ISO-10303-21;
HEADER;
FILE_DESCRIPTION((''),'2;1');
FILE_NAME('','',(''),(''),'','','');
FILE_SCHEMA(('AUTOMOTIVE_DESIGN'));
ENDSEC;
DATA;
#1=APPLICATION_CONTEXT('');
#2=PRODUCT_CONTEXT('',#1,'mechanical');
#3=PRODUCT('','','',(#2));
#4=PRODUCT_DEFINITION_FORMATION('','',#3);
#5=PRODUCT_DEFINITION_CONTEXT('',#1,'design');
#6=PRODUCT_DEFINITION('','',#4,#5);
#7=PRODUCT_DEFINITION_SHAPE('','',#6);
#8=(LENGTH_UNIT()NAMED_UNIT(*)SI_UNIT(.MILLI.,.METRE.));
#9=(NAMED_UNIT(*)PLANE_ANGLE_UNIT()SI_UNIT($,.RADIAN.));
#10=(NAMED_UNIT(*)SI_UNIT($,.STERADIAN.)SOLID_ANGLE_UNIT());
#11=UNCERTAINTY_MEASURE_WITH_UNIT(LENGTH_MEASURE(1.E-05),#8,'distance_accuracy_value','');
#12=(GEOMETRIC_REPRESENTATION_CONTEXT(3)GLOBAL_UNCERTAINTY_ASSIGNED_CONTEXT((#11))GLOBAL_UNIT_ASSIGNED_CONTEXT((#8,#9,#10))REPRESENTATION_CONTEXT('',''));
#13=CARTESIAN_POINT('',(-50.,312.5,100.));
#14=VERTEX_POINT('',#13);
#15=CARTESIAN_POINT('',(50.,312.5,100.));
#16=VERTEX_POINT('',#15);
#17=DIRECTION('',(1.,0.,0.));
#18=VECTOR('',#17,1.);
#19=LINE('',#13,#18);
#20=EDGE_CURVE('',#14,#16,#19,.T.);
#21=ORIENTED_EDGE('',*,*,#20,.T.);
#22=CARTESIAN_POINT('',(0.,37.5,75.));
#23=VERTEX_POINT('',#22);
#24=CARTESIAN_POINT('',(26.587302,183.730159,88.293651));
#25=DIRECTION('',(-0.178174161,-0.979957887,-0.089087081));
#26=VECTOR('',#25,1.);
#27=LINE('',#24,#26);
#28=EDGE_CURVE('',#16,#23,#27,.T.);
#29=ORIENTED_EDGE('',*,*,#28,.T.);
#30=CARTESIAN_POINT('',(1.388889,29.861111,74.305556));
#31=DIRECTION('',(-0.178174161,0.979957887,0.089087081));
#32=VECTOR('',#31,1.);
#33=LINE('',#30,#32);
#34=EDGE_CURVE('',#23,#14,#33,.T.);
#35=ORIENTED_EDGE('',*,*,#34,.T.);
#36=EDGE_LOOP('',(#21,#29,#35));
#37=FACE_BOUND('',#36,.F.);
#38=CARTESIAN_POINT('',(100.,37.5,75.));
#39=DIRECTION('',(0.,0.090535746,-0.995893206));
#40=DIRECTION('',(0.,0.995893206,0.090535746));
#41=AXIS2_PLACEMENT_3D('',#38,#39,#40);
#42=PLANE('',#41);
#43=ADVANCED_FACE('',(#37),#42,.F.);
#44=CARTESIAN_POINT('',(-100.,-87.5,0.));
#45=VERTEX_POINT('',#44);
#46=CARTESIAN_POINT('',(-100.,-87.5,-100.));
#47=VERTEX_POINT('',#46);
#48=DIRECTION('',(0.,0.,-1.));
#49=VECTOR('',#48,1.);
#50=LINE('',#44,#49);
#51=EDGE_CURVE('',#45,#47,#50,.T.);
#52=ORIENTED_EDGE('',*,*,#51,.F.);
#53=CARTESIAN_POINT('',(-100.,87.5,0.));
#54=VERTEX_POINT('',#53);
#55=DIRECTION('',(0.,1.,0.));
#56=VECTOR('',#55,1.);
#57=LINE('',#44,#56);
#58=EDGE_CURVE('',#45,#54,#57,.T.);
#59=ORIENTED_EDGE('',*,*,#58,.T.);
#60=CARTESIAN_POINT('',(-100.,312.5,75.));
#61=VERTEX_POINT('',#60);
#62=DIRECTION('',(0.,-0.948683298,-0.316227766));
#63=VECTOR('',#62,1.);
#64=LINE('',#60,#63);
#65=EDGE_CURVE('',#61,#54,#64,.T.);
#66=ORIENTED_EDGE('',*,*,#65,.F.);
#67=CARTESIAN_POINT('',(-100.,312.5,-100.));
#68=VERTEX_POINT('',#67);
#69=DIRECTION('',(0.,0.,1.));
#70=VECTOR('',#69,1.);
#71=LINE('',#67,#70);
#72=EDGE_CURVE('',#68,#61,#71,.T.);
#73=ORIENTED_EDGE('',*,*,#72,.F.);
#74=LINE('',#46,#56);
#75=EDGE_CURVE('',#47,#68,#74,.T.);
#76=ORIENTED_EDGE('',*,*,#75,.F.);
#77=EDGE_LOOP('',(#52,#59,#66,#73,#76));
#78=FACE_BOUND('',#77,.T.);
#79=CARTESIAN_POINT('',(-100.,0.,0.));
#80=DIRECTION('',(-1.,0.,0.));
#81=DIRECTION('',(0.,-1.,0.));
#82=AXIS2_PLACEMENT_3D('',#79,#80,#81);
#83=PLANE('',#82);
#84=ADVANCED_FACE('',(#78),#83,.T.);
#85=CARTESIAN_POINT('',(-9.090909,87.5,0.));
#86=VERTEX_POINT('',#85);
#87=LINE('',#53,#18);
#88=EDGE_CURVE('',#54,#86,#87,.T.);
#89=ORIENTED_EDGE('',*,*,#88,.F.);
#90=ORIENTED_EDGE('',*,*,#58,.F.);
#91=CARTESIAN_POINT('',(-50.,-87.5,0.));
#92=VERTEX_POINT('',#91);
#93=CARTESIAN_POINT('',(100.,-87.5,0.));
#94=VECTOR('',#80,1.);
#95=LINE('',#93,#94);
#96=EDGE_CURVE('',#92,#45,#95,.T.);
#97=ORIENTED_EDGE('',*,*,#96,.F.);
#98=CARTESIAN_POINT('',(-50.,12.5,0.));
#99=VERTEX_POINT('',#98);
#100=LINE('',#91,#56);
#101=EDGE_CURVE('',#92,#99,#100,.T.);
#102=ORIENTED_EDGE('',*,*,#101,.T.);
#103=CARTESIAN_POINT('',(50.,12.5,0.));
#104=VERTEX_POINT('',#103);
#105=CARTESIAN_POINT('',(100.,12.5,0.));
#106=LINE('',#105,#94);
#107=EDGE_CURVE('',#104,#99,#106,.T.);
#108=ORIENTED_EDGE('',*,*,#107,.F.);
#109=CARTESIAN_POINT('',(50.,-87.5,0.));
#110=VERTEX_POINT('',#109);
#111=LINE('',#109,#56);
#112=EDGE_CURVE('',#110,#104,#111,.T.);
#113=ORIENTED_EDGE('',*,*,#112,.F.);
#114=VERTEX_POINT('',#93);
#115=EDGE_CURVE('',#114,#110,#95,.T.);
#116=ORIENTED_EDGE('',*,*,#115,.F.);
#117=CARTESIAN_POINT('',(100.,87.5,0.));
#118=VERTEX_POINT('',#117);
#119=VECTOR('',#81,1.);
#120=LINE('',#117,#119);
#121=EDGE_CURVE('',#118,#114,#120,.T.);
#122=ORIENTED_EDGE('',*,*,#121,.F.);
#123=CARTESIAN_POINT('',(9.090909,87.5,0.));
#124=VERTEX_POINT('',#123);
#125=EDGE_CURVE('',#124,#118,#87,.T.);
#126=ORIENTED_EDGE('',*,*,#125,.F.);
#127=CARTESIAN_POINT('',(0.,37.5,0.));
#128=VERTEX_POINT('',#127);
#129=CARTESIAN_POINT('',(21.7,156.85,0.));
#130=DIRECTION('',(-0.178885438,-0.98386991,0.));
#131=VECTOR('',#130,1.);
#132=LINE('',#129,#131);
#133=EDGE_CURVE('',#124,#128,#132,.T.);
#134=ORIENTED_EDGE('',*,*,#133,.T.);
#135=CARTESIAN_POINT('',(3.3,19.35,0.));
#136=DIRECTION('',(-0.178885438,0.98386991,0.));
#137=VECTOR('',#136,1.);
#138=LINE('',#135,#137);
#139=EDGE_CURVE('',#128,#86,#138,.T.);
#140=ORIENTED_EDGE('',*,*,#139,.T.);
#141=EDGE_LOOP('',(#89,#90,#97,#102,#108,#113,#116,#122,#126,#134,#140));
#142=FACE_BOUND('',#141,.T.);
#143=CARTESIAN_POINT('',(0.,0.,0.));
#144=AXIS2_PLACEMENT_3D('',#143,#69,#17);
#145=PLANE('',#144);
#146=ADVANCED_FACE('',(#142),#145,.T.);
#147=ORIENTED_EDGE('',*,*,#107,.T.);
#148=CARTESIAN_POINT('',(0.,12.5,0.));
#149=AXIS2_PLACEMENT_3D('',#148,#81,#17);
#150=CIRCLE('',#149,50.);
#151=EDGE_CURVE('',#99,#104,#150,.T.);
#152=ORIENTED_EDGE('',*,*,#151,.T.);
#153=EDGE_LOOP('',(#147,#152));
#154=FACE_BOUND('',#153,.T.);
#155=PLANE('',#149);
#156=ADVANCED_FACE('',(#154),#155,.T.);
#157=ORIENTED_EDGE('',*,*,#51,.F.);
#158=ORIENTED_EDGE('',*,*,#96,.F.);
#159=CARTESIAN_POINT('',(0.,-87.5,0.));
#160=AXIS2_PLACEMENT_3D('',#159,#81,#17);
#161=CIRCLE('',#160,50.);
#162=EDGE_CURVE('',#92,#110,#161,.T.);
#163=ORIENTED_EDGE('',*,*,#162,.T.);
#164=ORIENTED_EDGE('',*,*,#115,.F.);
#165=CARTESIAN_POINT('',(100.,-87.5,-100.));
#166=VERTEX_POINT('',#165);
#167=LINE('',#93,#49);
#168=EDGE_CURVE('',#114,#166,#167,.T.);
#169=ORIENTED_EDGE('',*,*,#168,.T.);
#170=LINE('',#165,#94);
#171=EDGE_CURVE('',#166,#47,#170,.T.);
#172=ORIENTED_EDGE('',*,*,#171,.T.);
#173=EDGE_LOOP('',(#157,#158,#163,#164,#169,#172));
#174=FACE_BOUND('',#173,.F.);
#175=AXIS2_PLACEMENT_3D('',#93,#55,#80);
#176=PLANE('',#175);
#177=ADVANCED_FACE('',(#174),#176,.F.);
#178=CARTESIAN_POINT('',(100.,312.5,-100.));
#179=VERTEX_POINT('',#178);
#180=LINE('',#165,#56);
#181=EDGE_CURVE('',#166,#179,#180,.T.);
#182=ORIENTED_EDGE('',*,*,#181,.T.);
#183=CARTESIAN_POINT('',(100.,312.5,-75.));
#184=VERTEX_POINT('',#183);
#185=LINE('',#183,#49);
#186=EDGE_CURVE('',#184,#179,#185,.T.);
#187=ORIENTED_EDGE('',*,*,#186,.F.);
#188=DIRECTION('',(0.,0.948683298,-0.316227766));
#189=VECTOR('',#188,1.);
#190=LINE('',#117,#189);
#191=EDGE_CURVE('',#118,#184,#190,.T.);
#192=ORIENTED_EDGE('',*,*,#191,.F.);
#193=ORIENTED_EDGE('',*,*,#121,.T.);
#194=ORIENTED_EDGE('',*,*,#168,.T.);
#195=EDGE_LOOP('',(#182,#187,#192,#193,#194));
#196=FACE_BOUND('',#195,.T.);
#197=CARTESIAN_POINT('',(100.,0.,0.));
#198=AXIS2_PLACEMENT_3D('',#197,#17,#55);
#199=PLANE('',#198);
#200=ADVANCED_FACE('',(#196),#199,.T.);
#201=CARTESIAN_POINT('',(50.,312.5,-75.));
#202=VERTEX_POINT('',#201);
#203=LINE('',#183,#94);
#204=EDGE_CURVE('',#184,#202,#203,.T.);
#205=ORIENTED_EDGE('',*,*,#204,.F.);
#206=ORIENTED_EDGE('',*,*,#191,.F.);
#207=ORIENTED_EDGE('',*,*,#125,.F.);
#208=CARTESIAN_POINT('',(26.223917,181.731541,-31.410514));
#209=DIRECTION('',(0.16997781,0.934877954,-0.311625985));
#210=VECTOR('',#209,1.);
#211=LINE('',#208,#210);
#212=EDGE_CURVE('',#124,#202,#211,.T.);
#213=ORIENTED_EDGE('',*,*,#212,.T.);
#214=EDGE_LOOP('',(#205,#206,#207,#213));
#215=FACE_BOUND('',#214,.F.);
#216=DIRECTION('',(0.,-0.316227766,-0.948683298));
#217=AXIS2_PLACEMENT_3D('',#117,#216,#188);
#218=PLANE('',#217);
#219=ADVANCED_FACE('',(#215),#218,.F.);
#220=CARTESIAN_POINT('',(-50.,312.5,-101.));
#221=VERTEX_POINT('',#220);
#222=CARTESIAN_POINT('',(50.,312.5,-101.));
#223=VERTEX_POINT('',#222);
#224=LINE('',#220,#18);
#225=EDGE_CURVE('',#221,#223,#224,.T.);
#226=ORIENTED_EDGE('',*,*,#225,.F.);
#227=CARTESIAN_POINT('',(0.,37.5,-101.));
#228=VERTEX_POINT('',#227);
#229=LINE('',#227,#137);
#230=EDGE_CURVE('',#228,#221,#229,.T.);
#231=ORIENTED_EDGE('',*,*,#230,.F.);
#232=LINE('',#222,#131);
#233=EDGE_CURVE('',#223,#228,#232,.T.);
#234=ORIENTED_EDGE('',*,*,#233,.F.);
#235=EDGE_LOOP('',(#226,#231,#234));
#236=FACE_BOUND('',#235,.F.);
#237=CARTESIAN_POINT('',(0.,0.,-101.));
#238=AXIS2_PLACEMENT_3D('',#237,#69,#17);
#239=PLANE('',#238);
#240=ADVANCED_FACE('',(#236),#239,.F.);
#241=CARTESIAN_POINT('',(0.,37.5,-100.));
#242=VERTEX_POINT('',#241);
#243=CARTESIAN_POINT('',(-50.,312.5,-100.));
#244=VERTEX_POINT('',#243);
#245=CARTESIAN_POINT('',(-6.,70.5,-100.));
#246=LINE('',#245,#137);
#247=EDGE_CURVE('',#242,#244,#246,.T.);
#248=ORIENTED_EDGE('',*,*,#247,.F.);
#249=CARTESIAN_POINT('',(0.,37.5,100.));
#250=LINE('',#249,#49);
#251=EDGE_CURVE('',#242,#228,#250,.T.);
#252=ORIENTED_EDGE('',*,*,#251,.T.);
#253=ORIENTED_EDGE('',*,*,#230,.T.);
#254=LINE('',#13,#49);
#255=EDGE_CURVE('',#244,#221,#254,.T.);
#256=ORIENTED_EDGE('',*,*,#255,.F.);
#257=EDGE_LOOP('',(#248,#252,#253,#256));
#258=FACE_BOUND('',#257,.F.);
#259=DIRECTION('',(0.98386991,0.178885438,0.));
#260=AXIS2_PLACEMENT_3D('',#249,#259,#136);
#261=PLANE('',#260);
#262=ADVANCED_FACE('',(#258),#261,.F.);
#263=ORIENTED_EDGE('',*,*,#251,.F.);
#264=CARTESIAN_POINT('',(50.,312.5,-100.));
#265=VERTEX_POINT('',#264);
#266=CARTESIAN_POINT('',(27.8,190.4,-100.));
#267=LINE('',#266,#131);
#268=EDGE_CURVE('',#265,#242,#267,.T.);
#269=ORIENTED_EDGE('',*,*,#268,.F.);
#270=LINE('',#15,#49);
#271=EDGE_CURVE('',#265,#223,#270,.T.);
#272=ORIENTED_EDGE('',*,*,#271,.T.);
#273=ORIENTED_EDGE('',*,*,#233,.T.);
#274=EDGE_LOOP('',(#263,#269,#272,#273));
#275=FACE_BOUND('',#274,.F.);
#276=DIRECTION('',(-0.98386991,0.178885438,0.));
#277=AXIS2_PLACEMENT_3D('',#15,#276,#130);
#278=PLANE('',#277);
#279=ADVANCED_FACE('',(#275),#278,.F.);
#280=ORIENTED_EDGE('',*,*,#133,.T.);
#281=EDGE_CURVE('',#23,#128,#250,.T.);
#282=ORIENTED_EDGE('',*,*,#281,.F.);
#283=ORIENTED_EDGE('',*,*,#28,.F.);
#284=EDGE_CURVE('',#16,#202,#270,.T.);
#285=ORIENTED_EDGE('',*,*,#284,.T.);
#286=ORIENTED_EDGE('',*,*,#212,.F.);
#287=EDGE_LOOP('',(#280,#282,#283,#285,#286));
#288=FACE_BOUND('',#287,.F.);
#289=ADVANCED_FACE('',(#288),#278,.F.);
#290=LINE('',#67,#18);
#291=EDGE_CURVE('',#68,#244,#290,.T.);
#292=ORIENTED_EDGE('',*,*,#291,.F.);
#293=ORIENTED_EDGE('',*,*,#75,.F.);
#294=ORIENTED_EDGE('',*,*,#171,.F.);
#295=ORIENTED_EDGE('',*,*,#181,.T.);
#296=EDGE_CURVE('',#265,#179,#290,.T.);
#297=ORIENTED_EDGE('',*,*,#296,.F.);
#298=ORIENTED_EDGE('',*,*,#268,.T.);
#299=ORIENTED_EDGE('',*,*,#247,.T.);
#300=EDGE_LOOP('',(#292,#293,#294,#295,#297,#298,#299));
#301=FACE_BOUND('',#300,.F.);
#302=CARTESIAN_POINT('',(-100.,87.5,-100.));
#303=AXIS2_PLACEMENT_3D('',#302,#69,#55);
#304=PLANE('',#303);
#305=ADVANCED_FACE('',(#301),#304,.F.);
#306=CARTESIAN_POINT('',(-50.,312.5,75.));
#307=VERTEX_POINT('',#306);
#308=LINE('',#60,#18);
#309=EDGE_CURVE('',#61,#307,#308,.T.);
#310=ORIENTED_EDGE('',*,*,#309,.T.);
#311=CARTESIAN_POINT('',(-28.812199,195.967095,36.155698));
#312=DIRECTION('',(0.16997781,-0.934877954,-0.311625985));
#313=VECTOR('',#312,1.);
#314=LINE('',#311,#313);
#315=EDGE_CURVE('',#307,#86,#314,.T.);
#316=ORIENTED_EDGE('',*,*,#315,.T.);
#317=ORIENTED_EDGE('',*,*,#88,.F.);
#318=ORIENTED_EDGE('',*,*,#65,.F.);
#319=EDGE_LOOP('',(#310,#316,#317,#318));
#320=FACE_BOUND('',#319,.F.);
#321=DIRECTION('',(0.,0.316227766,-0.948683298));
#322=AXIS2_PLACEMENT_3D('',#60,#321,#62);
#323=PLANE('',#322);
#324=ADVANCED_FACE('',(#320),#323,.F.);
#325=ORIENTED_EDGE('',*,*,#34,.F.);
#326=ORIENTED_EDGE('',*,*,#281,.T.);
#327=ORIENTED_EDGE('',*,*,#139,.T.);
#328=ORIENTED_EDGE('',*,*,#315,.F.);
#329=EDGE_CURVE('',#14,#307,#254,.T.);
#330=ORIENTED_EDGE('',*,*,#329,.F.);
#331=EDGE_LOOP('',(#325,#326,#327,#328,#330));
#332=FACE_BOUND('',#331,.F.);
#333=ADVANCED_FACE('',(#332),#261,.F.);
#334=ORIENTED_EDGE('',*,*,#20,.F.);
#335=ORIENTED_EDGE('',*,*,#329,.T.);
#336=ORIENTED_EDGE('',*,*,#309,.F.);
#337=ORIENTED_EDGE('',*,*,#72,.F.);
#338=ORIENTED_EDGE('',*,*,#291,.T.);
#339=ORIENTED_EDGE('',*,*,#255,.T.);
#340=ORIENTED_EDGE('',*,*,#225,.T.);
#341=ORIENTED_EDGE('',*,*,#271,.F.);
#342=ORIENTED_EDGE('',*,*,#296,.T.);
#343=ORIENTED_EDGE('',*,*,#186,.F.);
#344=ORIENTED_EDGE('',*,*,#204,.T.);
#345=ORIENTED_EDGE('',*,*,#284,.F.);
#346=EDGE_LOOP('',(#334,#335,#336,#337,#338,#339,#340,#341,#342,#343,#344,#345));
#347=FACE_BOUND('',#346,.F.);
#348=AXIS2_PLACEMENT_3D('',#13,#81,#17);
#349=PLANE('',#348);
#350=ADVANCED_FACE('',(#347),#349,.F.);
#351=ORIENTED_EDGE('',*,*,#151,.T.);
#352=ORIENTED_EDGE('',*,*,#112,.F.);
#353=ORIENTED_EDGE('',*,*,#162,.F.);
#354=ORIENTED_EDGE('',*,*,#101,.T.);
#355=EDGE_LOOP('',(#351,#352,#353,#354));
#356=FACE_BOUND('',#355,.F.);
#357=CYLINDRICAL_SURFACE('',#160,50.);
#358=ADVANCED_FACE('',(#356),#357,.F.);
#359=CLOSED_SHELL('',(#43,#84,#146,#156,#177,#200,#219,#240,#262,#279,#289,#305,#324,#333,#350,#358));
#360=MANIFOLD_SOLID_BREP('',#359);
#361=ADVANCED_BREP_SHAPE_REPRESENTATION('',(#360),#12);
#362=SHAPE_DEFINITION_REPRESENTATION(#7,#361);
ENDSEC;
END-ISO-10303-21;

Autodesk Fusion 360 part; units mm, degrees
sketch "草图1" plane through (0, 0, 0) normal (0, 0, 1) x (1, 0, 0)
  line L0 (-100, 87.5) -> (100, 87.5)
  line L1 (100, 87.5) -> (100, -87.5)
  line L2 (100, -87.5) -> (-100, -87.5)
  line L3 (-100, -87.5) -> (-100, 87.5)
  line L4 (-100, 0) -> (100, 0) construction
  line L5 (0, 75) -> (0, -50) construction
  dimension "d1" = 200
  dimension "d2" = 175
extrude "拉伸1" add sketch "草图1" against normal blind 100
sketch "草图2" plane through (0, -87.5, 0) normal (0, -1, 0) x (1, 0, 0)
  line L0 (100, 0) -> (-100, 0)
  line L1 (-100, 0) -> (-100, -100)
  line L2 (-100, -100) -> (100, -100)
  line L3 (100, -100) -> (100, 0)
  circle A0 centre (0, 0) radius 50
  dimension "d5" = 100
extrude "拉伸2" cut sketch "草图2" against normal blind 100 contours L0 A0 picked at (10.3915, -13.0305)
sketch "草图3" plane through (100, 0, 0) normal (1, 0, 0) x (0, 1, 0)
  line L0 (87.5, 0) -> (-87.5, 0)
  line L1 (-87.5, 0) -> (-87.5, -100)
  line L2 (-87.5, -100) -> (87.5, -100)
  line L3 (87.5, -100) -> (87.5, 0)
  line L4 (87.5, 0) -> (312.5, -75)
  line L5 (312.5, -75) -> (312.5, -100)
  line L6 (312.5, -100) -> (87.5, -100)
  line L7 (-150, 0) -> (245.1978, 0) construction
  dimension "d8" = 25
  dimension "d9" = 225
extrude "拉伸3" add sketch "草图3" against normal blind 100 contours L3 L4 L5 L6
sketch "草图4" plane through (-100, 0, 0) normal (-1, 0, 0) x (0, -1, 0)
  line L0 (87.5, 0) -> (-87.5, 0)
  line L1 (-87.5, 0) -> (-87.5, -100)
  line L2 (-87.5, -100) -> (87.5, -100)
  line L3 (87.5, -100) -> (87.5, 0)
  line L4 (-312.5, 75) -> (-87.5, 0)
  line L5 (-87.5, -100) -> (-312.5, -100)
  line L6 (-312.5, -100) -> (-312.5, 75)
  dimension "d12" = 175
  dimension "d13" = 225
extrude "拉伸4" add sketch "草图4" against normal blind 100 contours L1 L4 L5 L6
ref_plane "工作平面1" through (0, 0, 100) normal (0, 0, 1) x (1, 0, 0)
sketch "草图5" plane through (0, 0, 100) normal (0, 0, 1) x (1, 0, 0)
  line L0 (-50, 312.5) -> (50, 312.5)
  line L1 (50, 312.5) -> (0, 37.5)
  line L2 (0, 37.5) -> (-50, 312.5)
  line L3 (0, -125) -> (0, 391.0284) construction
  point P0 (100, -87.5)
  point P1 (-100, -87.5)
  point P2 (-100, 87.5)
  point P3 (100, 87.5)
  point P4 (-100, 312.5)
  point P5 (100, 312.5)
  dimension "d17" = 275
  dimension "d18" = 100
extrude "拉伸5" add sketch "草图5" against normal through all
sketch "草图6" plane through (100, 0, 0) normal (1, 0, 0) x (0, 1, 0)
  line L0 (87.5, 0) -> (-87.5, 0)
  line L1 (-87.5, 0) -> (-87.5, -100)
  line L2 (-87.5, -100) -> (312.5, -100)
  line L3 (312.5, -100) -> (312.5, -75)
  line L4 (312.5, -75) -> (87.5, 0)
  line L5 (37.5, 100) -> (37.5, 93.4578)
  line L6 (37.5, 93.4578) -> (37.5, 75)
  line L7 (37.5, 75) -> (312.5, 100)
  line L8 (312.5, 100) -> (37.5, 100)
  point P0 (37.5, 100)
  point P1 (312.5, 100)
  dimension "d20" = 25
extrude "拉伸6" cut sketch "草图6" against normal blind 375 contours L5 L6 L7 L8
equation "d2 = 400 mm - 225 mm"
